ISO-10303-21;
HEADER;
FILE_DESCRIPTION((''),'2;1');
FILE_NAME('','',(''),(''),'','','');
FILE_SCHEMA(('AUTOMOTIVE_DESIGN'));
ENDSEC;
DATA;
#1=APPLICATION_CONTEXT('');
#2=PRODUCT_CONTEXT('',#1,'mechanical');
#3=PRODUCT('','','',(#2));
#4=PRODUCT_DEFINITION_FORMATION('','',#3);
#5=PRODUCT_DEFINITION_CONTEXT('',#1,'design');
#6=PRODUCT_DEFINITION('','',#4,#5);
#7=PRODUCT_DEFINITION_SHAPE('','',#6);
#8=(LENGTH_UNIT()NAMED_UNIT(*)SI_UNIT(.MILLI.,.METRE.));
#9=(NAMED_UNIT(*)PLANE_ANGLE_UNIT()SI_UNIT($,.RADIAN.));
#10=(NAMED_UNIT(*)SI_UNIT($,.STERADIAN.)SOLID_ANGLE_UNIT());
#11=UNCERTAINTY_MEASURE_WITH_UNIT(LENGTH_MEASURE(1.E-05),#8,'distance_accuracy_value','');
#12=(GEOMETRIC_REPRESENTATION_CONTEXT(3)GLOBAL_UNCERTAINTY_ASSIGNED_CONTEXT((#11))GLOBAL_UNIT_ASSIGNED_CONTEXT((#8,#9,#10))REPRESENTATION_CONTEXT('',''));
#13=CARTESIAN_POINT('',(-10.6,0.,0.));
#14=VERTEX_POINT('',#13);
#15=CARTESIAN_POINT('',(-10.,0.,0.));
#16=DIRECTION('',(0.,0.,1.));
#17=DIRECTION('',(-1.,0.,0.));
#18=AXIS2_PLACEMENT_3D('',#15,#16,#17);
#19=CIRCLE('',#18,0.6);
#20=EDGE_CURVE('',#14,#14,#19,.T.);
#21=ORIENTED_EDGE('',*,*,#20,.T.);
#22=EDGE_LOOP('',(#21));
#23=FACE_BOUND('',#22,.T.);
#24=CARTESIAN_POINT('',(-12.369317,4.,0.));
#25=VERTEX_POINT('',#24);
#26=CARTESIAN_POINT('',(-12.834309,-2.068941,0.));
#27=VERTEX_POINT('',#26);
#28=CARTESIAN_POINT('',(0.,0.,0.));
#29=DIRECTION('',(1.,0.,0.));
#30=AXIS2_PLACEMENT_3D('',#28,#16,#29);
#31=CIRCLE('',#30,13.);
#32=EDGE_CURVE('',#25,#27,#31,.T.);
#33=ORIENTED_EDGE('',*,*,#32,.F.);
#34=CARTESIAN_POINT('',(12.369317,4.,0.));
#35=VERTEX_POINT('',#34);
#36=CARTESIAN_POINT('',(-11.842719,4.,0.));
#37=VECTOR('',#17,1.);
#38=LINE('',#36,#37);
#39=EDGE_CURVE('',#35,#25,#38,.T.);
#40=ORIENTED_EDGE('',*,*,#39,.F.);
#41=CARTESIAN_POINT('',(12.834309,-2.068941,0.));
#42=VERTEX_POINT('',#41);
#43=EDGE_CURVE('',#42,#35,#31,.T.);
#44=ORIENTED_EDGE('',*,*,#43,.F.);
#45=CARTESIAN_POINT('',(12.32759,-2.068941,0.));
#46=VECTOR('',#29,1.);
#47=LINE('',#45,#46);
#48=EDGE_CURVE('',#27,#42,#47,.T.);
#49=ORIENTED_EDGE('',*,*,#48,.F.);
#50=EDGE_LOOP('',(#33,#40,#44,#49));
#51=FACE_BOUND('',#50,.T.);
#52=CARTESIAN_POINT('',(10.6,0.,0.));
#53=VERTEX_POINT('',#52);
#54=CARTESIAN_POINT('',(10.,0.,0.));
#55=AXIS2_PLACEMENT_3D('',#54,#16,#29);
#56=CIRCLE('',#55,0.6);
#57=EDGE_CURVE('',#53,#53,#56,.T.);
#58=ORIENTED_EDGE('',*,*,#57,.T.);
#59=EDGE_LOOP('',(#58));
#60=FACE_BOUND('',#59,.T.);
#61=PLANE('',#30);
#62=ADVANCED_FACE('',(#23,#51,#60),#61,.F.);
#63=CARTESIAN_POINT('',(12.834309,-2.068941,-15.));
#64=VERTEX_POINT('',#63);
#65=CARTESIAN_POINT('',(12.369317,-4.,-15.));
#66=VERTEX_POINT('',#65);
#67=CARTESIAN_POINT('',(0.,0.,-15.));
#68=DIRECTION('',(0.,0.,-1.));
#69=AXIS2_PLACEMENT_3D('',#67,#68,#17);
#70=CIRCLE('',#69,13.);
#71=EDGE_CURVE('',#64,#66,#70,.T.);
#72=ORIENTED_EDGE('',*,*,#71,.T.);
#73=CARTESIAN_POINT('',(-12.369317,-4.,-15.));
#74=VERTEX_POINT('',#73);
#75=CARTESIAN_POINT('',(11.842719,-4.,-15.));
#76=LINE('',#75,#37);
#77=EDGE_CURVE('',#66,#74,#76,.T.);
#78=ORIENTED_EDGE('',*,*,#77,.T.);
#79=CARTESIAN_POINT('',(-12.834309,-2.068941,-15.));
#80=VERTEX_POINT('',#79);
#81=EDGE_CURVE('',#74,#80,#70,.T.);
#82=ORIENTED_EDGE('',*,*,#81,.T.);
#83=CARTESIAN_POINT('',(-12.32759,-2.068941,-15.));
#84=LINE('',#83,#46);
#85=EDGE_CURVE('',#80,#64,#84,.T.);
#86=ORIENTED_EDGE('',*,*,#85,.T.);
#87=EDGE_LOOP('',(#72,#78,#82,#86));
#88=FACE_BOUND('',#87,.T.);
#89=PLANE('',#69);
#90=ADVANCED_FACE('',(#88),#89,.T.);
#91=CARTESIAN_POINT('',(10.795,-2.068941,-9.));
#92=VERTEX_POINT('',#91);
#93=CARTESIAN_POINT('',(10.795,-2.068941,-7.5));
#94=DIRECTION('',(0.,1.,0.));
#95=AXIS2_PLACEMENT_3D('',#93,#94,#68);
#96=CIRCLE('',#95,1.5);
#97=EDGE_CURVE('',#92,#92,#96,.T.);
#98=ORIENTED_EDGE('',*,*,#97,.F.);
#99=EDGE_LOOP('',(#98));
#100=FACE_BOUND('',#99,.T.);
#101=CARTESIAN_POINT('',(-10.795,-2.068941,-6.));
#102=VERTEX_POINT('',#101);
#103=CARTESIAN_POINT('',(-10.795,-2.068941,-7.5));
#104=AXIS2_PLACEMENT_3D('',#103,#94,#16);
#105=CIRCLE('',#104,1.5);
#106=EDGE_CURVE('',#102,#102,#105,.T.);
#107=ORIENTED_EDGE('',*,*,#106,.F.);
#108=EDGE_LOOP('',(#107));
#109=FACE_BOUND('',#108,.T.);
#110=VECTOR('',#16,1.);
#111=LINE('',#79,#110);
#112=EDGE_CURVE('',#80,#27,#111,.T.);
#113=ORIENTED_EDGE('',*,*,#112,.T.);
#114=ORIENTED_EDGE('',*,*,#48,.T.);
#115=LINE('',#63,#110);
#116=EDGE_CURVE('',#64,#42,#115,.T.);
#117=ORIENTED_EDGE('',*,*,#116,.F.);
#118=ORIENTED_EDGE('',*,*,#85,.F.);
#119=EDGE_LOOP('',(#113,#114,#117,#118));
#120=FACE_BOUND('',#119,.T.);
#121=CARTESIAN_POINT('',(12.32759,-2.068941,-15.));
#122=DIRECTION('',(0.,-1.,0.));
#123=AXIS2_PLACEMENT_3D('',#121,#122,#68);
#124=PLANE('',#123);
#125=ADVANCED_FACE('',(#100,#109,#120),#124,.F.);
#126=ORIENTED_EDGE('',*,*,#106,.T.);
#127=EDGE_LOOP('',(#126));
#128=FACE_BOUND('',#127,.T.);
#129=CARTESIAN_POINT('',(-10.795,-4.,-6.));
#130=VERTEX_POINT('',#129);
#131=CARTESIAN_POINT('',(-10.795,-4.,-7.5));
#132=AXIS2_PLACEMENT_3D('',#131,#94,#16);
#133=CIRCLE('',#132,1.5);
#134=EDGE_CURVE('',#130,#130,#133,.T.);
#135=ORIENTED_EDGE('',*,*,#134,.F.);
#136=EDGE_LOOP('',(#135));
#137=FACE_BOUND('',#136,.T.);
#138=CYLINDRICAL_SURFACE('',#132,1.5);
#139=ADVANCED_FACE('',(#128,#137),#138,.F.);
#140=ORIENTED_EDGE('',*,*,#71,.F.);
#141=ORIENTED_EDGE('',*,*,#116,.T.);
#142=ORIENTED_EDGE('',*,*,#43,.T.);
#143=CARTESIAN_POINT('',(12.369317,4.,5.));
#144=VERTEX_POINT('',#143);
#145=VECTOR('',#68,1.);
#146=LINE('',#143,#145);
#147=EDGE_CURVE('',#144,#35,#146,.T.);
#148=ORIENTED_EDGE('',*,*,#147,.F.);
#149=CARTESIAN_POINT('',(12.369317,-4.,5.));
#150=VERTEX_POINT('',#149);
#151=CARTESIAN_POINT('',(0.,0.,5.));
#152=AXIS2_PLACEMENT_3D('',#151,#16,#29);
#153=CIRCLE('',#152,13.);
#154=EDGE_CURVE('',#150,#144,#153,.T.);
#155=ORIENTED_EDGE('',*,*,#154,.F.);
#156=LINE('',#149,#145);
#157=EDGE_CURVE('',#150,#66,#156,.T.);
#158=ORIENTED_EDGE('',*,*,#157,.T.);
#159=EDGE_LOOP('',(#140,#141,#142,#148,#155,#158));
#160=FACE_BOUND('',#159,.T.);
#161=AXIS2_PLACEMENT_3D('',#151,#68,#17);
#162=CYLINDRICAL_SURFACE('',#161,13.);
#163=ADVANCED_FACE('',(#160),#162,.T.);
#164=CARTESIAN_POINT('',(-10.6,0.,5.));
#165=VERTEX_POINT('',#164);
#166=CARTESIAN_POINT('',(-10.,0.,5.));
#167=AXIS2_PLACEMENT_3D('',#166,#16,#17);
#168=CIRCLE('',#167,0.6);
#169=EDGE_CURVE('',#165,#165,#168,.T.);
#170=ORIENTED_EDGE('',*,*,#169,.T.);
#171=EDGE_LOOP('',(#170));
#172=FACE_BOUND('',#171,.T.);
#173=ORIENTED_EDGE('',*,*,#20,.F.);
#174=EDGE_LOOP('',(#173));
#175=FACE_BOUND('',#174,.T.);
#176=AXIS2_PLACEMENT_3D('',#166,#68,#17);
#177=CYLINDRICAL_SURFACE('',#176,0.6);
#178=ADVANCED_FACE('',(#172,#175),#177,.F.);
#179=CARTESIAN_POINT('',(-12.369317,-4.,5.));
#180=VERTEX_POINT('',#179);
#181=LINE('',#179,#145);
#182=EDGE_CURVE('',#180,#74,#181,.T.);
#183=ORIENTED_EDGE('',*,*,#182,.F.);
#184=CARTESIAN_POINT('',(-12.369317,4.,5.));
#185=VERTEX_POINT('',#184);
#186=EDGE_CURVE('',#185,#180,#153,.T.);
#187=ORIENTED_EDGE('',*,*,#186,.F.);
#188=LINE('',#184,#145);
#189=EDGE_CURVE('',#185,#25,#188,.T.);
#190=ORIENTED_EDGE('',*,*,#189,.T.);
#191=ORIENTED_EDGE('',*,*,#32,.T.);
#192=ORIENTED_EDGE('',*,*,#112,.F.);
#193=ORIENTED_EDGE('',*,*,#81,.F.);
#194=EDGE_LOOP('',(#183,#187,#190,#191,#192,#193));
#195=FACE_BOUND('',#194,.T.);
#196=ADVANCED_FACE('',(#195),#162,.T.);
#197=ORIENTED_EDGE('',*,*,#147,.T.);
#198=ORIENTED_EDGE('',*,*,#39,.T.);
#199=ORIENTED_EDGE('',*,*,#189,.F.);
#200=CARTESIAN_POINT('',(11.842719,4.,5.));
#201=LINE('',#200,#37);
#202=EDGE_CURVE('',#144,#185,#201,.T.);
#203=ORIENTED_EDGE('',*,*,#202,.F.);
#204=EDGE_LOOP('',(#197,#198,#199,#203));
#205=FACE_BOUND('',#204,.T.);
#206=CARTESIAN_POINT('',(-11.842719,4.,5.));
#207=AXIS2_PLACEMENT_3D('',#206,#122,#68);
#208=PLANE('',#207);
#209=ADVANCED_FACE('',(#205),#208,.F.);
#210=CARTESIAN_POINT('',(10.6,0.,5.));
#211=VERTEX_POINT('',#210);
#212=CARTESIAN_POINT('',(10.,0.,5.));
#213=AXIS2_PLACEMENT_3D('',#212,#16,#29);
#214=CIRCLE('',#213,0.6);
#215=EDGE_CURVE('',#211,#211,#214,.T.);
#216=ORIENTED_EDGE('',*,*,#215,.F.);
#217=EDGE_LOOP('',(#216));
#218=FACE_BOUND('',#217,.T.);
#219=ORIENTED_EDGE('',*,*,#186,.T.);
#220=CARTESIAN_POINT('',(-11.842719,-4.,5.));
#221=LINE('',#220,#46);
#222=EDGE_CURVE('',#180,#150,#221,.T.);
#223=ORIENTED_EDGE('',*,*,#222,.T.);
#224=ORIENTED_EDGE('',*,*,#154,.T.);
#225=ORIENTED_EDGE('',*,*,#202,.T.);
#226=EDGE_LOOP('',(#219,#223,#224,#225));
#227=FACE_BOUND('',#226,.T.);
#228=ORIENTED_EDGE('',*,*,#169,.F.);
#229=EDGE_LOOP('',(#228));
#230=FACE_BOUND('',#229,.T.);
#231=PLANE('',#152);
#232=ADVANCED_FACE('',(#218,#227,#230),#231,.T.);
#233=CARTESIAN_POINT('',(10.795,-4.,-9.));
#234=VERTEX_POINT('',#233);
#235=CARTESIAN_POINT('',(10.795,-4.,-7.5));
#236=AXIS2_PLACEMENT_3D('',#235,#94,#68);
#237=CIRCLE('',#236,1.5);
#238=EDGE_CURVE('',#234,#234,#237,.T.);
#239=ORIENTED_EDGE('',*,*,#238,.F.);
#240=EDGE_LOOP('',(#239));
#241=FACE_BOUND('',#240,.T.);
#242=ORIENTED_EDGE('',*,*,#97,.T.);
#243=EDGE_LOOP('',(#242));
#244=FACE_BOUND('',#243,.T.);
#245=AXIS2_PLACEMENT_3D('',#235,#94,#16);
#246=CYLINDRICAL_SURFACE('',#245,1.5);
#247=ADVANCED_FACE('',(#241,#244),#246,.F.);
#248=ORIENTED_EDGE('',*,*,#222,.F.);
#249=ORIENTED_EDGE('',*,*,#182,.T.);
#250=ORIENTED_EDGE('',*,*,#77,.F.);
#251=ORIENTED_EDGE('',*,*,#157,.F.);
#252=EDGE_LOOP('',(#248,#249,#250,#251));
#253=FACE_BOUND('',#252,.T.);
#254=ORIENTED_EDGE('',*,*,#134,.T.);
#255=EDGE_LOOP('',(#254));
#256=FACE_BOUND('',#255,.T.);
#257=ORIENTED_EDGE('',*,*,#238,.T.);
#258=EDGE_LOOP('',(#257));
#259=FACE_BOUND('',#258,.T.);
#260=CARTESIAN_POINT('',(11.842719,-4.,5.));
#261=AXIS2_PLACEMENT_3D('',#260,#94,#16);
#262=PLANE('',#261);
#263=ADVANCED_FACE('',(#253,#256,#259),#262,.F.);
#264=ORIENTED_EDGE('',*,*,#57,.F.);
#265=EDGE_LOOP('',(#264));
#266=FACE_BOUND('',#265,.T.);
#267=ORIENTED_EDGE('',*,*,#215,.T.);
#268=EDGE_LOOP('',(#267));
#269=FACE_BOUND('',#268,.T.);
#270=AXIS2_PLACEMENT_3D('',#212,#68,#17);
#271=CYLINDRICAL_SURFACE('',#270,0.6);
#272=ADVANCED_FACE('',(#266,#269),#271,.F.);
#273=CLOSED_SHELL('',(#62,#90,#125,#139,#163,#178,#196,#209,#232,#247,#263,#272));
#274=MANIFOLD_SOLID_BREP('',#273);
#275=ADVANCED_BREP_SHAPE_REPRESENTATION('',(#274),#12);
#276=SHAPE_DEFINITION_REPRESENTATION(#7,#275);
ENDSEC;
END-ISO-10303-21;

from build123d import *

# Parameters (mm, degrees)
SKETCH2_R           = 0.6
BOSS_EXTRUDE2_DEPTH = 5
BOSS_EXTRUDE4_START = 15
BOSS_EXTRUDE4_DEPTH = 15
SKETCH8_R           = 1.5
CUT_EXTRUDE2_DEPTH  = 21.756494148


with BuildPart() as part:
    # Sketch2 → Boss-Extrude2 (new body)
    with BuildSketch(Plane.XY):
        with BuildLine():
            Line((-11.842719282, 4), (11.842719282, 4))
            Line((11.842719282, 4), (12.369316877, 4))
            ThreePointArc((12.369316877, 4), (13, 0), (12.369316877, -4))
            Line((12.369316877, -4), (11.842719282, -4))
            Line((11.842719282, -4), (-11.842719282, -4))
            Line((-11.842719282, -4), (-12.369316877, -4))
            ThreePointArc((-12.369316877, -4), (-13, 0), (-12.369316877, 4))
            Line((-12.369316877, 4), (-11.842719282, 4))
        make_face()
        with Locations((10, 0)):
            Circle(SKETCH2_R, mode=Mode.SUBTRACT)
        with Locations(Location((-10, 0, 0), (0, 0, 180))):
            Circle(SKETCH2_R, mode=Mode.SUBTRACT)
    extrude(amount=BOSS_EXTRUDE2_DEPTH)

    # Sketch7 → Boss-Extrude4 (add)
    with BuildSketch(Plane(origin=(0, 0, 0), x_dir=(-1, 0, 0), z_dir=(0, 0, -1)).offset(BOSS_EXTRUDE4_START)):
        with BuildLine():
            Line((0, -2.068941366), (-12.32759026, -2.068941366))
            Line((-12.32759026, -2.068941366), (-12.834308771, -2.068941366))
            ThreePointArc((-12.834308771, -2.068941366), (-12.6387473, -3.04336437), (-12.369316877, -4))
            Line((-12.369316877, -4), (-11.842719282, -4))
            Line((-11.842719282, -4), (0, -4))
            Line((0, -4), (11.842719282, -4))
            Line((11.842719282, -4), (12.369316877, -4))
            ThreePointArc((12.369316877, -4), (12.6387473, -3.04336437), (12.834308771, -2.068941366))
            Line((12.834308771, -2.068941366), (12.32759026, -2.068941366))
            Line((12.32759026, -2.068941366), (0, -2.068941366))
        make_face()
    extrude(amount=-BOSS_EXTRUDE4_DEPTH)

    # Sketch8 → Cut-Extrude2 (cut, through all)
    with BuildSketch(Plane(origin=(0, -2.068941366, 0), x_dir=(1, 0, 0), z_dir=(0, 1, 0))):
        with Locations(Location((-10.795, 7.5, 0), (0, 0, 270))):
            Circle(SKETCH8_R)
        with Locations(Location((10.795, 7.5, 0), (0, 0, 90))):
            Circle(SKETCH8_R)
    extrude(amount=-CUT_EXTRUDE2_DEPTH, mode=Mode.SUBTRACT)


solid = part.part
